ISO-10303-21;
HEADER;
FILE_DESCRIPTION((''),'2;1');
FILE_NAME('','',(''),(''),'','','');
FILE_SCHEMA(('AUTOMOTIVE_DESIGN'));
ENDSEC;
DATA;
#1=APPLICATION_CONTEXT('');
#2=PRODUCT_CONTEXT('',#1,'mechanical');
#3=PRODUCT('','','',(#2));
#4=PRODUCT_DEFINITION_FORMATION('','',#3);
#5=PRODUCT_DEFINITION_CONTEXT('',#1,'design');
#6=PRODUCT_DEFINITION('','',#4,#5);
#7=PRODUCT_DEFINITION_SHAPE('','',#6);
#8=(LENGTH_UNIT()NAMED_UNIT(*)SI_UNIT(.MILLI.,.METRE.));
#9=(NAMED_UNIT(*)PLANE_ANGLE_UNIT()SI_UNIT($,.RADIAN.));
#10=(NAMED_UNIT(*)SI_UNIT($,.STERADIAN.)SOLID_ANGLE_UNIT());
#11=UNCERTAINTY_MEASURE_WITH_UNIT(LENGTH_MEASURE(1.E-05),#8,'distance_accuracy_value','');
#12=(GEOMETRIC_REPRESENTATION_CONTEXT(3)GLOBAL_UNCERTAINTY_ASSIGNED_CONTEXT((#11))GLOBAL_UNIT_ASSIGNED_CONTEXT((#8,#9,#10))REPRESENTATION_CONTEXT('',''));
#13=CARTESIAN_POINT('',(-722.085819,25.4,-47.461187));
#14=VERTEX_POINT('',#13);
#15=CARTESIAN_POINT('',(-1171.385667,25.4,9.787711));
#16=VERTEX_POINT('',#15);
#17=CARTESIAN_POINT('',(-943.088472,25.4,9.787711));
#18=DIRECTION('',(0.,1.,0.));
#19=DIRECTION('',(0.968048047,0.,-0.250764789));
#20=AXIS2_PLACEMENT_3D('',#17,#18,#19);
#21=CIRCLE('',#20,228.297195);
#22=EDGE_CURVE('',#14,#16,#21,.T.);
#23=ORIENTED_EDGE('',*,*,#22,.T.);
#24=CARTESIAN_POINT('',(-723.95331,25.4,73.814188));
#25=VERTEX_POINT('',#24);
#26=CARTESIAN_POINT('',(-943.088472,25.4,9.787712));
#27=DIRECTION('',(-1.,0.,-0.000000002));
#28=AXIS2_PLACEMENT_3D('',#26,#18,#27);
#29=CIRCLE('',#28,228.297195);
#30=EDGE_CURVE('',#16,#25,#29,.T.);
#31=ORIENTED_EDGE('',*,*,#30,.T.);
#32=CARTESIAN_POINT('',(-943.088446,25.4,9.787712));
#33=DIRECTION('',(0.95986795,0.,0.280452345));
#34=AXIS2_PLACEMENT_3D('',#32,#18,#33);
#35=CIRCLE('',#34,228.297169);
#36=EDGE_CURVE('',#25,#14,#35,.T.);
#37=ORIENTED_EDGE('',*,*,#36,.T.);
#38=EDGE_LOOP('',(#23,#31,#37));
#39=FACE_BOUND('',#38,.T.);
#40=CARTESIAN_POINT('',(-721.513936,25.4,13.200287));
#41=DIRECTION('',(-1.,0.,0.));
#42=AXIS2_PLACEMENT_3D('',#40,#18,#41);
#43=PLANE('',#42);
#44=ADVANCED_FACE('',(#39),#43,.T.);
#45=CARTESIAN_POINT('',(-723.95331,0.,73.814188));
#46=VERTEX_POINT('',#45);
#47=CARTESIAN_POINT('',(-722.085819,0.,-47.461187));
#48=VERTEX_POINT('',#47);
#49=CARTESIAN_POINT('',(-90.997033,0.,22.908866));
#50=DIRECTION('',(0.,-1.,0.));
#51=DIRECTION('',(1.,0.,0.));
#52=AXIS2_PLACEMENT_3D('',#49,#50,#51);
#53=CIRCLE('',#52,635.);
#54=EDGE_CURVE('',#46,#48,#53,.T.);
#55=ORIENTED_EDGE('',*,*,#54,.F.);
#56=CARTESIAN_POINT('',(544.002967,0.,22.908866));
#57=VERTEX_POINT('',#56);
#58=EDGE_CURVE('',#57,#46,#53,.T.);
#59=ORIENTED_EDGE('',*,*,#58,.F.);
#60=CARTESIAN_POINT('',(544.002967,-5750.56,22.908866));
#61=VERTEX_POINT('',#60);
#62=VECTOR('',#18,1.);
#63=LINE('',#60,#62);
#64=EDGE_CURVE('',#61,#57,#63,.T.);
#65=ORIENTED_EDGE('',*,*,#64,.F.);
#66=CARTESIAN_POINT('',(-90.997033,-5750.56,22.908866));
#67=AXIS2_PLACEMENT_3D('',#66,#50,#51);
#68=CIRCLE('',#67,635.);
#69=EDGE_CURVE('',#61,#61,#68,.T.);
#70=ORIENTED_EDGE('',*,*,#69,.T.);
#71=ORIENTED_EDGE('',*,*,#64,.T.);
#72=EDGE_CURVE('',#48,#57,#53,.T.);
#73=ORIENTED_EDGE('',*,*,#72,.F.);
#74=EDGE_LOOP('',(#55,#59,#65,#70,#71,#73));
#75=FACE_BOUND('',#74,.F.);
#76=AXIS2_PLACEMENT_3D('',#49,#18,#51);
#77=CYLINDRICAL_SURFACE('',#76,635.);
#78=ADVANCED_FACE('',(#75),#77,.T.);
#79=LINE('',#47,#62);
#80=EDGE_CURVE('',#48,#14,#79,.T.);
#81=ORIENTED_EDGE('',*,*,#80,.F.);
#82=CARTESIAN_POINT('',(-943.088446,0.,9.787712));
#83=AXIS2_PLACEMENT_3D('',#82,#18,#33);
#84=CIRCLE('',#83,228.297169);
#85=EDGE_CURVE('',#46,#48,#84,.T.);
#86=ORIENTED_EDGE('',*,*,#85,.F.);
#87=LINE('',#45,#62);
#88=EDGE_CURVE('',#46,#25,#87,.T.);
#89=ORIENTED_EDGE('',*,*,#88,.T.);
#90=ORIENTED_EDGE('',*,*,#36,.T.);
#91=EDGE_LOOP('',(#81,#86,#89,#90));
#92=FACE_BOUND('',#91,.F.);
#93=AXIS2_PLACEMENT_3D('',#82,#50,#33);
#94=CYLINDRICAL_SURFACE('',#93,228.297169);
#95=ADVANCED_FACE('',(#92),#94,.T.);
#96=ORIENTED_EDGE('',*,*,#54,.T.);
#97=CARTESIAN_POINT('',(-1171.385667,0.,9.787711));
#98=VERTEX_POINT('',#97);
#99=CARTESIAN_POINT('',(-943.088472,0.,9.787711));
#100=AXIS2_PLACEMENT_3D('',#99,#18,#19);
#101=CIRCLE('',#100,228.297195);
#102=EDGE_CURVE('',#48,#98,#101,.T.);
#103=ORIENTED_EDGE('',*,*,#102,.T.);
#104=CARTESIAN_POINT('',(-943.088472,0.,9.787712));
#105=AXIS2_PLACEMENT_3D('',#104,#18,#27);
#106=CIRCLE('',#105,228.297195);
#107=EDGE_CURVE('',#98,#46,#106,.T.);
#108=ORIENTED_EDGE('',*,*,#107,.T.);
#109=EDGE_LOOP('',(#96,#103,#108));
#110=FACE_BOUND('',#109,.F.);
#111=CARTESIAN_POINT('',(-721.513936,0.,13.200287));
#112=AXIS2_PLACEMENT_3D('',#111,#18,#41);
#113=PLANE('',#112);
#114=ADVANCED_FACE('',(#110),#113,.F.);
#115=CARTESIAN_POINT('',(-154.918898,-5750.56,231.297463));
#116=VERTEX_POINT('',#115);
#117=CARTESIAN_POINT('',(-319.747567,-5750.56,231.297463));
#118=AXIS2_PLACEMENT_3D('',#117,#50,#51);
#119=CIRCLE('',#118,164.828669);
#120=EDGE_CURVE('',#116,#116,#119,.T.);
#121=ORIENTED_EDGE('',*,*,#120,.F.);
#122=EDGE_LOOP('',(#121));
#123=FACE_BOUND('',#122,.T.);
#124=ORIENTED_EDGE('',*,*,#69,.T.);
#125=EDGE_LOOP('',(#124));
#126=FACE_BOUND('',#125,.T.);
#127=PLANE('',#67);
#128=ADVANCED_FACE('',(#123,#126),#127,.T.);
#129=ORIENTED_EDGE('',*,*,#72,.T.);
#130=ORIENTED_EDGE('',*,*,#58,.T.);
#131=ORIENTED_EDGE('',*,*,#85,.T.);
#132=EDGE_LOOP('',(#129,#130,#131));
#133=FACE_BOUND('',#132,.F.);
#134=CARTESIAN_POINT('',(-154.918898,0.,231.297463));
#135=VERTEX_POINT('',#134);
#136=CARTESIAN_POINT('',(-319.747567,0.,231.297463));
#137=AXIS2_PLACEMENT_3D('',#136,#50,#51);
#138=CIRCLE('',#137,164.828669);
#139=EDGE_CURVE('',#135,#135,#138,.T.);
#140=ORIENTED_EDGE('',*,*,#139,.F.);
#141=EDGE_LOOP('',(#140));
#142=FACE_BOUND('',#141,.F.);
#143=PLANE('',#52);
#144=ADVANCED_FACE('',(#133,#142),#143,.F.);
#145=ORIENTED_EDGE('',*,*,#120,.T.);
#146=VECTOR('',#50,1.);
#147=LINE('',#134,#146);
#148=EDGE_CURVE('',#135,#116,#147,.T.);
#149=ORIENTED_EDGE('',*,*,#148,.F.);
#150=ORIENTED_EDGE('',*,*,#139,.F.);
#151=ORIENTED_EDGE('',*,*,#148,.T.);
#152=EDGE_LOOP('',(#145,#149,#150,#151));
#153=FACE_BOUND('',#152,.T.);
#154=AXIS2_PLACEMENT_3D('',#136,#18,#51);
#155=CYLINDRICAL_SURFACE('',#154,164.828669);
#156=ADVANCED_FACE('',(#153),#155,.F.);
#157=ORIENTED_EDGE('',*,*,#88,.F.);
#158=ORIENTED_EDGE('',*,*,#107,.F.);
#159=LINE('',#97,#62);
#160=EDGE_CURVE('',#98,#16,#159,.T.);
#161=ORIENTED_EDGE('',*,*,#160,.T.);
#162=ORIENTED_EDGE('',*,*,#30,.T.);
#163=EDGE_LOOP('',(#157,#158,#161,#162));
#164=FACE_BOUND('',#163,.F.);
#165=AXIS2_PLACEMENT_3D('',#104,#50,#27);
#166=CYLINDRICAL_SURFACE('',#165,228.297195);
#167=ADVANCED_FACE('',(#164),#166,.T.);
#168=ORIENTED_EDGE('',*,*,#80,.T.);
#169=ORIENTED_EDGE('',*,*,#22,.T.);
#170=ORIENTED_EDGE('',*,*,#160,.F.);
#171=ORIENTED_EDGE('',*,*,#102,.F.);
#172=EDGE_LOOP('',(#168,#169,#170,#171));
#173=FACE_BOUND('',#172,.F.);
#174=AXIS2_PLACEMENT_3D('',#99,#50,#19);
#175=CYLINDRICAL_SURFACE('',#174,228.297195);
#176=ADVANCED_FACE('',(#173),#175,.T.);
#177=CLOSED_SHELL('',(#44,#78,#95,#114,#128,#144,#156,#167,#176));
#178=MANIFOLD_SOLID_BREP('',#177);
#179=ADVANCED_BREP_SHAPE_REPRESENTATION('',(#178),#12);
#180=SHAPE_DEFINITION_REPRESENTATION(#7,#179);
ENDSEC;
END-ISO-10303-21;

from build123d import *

# Parameters (mm, degrees)
F0_R     = 635
F0_R_2   = 164.828669
F1_DEPTH = 5750.56
F3_DEPTH = 25.4
F4_DEPTH = 25.4


with BuildPart() as f1:
    # F0 (on Front) → F1 (new body)
    with BuildSketch(Plane.XZ):
        with Locations((-90.997033, 22.908866)):
            Circle(F0_R)
        with Locations((-319.747567, 231.297463)):
            Circle(F0_R_2, mode=Mode.SUBTRACT)
    extrude(amount=F1_DEPTH)

    # F2 (on face) → F3 (join)
    with BuildSketch(Plane(origin=(0, 0, 0), x_dir=(-1, 0, 0), z_dir=(0, 1, 0))):
        with BuildLine():
            ThreePointArc((725.997033, 22.908866), (725.485896, 48.382032), (723.95331, 73.814188))
            ThreePointArc((723.95331, 73.814188), (714.818339, 13.302789), (722.085819, -47.461187))
            ThreePointArc((722.085819, -47.461187), (725.018475, -12.330466), (725.997033, 22.908866))
        make_face()
        with BuildLine():
            ThreePointArc((722.085819, -47.461187), (971.94435, -216.678506), (1171.385667, 9.787711))
            ThreePointArc((1171.385667, 9.787711), (975.427816, 235.782791), (723.95331, 73.814188))
            ThreePointArc((723.95331, 73.814188), (725.485896, 48.382032), (725.997033, 22.908866))
            ThreePointArc((725.997033, 22.908866), (725.018475, -12.330466), (722.085819, -47.461187))
        make_face()
    extrude(amount=F3_DEPTH)

    # F0 (on Front) → F4 (join)
    with BuildSketch(Plane.XZ):
        with Locations((-90.997033, 22.908866)):
            Circle(F0_R)
        with Locations((-319.747567, 231.297463)):
            Circle(F0_R_2, mode=Mode.SUBTRACT)
    extrude(amount=F4_DEPTH)


solid = f1.part
